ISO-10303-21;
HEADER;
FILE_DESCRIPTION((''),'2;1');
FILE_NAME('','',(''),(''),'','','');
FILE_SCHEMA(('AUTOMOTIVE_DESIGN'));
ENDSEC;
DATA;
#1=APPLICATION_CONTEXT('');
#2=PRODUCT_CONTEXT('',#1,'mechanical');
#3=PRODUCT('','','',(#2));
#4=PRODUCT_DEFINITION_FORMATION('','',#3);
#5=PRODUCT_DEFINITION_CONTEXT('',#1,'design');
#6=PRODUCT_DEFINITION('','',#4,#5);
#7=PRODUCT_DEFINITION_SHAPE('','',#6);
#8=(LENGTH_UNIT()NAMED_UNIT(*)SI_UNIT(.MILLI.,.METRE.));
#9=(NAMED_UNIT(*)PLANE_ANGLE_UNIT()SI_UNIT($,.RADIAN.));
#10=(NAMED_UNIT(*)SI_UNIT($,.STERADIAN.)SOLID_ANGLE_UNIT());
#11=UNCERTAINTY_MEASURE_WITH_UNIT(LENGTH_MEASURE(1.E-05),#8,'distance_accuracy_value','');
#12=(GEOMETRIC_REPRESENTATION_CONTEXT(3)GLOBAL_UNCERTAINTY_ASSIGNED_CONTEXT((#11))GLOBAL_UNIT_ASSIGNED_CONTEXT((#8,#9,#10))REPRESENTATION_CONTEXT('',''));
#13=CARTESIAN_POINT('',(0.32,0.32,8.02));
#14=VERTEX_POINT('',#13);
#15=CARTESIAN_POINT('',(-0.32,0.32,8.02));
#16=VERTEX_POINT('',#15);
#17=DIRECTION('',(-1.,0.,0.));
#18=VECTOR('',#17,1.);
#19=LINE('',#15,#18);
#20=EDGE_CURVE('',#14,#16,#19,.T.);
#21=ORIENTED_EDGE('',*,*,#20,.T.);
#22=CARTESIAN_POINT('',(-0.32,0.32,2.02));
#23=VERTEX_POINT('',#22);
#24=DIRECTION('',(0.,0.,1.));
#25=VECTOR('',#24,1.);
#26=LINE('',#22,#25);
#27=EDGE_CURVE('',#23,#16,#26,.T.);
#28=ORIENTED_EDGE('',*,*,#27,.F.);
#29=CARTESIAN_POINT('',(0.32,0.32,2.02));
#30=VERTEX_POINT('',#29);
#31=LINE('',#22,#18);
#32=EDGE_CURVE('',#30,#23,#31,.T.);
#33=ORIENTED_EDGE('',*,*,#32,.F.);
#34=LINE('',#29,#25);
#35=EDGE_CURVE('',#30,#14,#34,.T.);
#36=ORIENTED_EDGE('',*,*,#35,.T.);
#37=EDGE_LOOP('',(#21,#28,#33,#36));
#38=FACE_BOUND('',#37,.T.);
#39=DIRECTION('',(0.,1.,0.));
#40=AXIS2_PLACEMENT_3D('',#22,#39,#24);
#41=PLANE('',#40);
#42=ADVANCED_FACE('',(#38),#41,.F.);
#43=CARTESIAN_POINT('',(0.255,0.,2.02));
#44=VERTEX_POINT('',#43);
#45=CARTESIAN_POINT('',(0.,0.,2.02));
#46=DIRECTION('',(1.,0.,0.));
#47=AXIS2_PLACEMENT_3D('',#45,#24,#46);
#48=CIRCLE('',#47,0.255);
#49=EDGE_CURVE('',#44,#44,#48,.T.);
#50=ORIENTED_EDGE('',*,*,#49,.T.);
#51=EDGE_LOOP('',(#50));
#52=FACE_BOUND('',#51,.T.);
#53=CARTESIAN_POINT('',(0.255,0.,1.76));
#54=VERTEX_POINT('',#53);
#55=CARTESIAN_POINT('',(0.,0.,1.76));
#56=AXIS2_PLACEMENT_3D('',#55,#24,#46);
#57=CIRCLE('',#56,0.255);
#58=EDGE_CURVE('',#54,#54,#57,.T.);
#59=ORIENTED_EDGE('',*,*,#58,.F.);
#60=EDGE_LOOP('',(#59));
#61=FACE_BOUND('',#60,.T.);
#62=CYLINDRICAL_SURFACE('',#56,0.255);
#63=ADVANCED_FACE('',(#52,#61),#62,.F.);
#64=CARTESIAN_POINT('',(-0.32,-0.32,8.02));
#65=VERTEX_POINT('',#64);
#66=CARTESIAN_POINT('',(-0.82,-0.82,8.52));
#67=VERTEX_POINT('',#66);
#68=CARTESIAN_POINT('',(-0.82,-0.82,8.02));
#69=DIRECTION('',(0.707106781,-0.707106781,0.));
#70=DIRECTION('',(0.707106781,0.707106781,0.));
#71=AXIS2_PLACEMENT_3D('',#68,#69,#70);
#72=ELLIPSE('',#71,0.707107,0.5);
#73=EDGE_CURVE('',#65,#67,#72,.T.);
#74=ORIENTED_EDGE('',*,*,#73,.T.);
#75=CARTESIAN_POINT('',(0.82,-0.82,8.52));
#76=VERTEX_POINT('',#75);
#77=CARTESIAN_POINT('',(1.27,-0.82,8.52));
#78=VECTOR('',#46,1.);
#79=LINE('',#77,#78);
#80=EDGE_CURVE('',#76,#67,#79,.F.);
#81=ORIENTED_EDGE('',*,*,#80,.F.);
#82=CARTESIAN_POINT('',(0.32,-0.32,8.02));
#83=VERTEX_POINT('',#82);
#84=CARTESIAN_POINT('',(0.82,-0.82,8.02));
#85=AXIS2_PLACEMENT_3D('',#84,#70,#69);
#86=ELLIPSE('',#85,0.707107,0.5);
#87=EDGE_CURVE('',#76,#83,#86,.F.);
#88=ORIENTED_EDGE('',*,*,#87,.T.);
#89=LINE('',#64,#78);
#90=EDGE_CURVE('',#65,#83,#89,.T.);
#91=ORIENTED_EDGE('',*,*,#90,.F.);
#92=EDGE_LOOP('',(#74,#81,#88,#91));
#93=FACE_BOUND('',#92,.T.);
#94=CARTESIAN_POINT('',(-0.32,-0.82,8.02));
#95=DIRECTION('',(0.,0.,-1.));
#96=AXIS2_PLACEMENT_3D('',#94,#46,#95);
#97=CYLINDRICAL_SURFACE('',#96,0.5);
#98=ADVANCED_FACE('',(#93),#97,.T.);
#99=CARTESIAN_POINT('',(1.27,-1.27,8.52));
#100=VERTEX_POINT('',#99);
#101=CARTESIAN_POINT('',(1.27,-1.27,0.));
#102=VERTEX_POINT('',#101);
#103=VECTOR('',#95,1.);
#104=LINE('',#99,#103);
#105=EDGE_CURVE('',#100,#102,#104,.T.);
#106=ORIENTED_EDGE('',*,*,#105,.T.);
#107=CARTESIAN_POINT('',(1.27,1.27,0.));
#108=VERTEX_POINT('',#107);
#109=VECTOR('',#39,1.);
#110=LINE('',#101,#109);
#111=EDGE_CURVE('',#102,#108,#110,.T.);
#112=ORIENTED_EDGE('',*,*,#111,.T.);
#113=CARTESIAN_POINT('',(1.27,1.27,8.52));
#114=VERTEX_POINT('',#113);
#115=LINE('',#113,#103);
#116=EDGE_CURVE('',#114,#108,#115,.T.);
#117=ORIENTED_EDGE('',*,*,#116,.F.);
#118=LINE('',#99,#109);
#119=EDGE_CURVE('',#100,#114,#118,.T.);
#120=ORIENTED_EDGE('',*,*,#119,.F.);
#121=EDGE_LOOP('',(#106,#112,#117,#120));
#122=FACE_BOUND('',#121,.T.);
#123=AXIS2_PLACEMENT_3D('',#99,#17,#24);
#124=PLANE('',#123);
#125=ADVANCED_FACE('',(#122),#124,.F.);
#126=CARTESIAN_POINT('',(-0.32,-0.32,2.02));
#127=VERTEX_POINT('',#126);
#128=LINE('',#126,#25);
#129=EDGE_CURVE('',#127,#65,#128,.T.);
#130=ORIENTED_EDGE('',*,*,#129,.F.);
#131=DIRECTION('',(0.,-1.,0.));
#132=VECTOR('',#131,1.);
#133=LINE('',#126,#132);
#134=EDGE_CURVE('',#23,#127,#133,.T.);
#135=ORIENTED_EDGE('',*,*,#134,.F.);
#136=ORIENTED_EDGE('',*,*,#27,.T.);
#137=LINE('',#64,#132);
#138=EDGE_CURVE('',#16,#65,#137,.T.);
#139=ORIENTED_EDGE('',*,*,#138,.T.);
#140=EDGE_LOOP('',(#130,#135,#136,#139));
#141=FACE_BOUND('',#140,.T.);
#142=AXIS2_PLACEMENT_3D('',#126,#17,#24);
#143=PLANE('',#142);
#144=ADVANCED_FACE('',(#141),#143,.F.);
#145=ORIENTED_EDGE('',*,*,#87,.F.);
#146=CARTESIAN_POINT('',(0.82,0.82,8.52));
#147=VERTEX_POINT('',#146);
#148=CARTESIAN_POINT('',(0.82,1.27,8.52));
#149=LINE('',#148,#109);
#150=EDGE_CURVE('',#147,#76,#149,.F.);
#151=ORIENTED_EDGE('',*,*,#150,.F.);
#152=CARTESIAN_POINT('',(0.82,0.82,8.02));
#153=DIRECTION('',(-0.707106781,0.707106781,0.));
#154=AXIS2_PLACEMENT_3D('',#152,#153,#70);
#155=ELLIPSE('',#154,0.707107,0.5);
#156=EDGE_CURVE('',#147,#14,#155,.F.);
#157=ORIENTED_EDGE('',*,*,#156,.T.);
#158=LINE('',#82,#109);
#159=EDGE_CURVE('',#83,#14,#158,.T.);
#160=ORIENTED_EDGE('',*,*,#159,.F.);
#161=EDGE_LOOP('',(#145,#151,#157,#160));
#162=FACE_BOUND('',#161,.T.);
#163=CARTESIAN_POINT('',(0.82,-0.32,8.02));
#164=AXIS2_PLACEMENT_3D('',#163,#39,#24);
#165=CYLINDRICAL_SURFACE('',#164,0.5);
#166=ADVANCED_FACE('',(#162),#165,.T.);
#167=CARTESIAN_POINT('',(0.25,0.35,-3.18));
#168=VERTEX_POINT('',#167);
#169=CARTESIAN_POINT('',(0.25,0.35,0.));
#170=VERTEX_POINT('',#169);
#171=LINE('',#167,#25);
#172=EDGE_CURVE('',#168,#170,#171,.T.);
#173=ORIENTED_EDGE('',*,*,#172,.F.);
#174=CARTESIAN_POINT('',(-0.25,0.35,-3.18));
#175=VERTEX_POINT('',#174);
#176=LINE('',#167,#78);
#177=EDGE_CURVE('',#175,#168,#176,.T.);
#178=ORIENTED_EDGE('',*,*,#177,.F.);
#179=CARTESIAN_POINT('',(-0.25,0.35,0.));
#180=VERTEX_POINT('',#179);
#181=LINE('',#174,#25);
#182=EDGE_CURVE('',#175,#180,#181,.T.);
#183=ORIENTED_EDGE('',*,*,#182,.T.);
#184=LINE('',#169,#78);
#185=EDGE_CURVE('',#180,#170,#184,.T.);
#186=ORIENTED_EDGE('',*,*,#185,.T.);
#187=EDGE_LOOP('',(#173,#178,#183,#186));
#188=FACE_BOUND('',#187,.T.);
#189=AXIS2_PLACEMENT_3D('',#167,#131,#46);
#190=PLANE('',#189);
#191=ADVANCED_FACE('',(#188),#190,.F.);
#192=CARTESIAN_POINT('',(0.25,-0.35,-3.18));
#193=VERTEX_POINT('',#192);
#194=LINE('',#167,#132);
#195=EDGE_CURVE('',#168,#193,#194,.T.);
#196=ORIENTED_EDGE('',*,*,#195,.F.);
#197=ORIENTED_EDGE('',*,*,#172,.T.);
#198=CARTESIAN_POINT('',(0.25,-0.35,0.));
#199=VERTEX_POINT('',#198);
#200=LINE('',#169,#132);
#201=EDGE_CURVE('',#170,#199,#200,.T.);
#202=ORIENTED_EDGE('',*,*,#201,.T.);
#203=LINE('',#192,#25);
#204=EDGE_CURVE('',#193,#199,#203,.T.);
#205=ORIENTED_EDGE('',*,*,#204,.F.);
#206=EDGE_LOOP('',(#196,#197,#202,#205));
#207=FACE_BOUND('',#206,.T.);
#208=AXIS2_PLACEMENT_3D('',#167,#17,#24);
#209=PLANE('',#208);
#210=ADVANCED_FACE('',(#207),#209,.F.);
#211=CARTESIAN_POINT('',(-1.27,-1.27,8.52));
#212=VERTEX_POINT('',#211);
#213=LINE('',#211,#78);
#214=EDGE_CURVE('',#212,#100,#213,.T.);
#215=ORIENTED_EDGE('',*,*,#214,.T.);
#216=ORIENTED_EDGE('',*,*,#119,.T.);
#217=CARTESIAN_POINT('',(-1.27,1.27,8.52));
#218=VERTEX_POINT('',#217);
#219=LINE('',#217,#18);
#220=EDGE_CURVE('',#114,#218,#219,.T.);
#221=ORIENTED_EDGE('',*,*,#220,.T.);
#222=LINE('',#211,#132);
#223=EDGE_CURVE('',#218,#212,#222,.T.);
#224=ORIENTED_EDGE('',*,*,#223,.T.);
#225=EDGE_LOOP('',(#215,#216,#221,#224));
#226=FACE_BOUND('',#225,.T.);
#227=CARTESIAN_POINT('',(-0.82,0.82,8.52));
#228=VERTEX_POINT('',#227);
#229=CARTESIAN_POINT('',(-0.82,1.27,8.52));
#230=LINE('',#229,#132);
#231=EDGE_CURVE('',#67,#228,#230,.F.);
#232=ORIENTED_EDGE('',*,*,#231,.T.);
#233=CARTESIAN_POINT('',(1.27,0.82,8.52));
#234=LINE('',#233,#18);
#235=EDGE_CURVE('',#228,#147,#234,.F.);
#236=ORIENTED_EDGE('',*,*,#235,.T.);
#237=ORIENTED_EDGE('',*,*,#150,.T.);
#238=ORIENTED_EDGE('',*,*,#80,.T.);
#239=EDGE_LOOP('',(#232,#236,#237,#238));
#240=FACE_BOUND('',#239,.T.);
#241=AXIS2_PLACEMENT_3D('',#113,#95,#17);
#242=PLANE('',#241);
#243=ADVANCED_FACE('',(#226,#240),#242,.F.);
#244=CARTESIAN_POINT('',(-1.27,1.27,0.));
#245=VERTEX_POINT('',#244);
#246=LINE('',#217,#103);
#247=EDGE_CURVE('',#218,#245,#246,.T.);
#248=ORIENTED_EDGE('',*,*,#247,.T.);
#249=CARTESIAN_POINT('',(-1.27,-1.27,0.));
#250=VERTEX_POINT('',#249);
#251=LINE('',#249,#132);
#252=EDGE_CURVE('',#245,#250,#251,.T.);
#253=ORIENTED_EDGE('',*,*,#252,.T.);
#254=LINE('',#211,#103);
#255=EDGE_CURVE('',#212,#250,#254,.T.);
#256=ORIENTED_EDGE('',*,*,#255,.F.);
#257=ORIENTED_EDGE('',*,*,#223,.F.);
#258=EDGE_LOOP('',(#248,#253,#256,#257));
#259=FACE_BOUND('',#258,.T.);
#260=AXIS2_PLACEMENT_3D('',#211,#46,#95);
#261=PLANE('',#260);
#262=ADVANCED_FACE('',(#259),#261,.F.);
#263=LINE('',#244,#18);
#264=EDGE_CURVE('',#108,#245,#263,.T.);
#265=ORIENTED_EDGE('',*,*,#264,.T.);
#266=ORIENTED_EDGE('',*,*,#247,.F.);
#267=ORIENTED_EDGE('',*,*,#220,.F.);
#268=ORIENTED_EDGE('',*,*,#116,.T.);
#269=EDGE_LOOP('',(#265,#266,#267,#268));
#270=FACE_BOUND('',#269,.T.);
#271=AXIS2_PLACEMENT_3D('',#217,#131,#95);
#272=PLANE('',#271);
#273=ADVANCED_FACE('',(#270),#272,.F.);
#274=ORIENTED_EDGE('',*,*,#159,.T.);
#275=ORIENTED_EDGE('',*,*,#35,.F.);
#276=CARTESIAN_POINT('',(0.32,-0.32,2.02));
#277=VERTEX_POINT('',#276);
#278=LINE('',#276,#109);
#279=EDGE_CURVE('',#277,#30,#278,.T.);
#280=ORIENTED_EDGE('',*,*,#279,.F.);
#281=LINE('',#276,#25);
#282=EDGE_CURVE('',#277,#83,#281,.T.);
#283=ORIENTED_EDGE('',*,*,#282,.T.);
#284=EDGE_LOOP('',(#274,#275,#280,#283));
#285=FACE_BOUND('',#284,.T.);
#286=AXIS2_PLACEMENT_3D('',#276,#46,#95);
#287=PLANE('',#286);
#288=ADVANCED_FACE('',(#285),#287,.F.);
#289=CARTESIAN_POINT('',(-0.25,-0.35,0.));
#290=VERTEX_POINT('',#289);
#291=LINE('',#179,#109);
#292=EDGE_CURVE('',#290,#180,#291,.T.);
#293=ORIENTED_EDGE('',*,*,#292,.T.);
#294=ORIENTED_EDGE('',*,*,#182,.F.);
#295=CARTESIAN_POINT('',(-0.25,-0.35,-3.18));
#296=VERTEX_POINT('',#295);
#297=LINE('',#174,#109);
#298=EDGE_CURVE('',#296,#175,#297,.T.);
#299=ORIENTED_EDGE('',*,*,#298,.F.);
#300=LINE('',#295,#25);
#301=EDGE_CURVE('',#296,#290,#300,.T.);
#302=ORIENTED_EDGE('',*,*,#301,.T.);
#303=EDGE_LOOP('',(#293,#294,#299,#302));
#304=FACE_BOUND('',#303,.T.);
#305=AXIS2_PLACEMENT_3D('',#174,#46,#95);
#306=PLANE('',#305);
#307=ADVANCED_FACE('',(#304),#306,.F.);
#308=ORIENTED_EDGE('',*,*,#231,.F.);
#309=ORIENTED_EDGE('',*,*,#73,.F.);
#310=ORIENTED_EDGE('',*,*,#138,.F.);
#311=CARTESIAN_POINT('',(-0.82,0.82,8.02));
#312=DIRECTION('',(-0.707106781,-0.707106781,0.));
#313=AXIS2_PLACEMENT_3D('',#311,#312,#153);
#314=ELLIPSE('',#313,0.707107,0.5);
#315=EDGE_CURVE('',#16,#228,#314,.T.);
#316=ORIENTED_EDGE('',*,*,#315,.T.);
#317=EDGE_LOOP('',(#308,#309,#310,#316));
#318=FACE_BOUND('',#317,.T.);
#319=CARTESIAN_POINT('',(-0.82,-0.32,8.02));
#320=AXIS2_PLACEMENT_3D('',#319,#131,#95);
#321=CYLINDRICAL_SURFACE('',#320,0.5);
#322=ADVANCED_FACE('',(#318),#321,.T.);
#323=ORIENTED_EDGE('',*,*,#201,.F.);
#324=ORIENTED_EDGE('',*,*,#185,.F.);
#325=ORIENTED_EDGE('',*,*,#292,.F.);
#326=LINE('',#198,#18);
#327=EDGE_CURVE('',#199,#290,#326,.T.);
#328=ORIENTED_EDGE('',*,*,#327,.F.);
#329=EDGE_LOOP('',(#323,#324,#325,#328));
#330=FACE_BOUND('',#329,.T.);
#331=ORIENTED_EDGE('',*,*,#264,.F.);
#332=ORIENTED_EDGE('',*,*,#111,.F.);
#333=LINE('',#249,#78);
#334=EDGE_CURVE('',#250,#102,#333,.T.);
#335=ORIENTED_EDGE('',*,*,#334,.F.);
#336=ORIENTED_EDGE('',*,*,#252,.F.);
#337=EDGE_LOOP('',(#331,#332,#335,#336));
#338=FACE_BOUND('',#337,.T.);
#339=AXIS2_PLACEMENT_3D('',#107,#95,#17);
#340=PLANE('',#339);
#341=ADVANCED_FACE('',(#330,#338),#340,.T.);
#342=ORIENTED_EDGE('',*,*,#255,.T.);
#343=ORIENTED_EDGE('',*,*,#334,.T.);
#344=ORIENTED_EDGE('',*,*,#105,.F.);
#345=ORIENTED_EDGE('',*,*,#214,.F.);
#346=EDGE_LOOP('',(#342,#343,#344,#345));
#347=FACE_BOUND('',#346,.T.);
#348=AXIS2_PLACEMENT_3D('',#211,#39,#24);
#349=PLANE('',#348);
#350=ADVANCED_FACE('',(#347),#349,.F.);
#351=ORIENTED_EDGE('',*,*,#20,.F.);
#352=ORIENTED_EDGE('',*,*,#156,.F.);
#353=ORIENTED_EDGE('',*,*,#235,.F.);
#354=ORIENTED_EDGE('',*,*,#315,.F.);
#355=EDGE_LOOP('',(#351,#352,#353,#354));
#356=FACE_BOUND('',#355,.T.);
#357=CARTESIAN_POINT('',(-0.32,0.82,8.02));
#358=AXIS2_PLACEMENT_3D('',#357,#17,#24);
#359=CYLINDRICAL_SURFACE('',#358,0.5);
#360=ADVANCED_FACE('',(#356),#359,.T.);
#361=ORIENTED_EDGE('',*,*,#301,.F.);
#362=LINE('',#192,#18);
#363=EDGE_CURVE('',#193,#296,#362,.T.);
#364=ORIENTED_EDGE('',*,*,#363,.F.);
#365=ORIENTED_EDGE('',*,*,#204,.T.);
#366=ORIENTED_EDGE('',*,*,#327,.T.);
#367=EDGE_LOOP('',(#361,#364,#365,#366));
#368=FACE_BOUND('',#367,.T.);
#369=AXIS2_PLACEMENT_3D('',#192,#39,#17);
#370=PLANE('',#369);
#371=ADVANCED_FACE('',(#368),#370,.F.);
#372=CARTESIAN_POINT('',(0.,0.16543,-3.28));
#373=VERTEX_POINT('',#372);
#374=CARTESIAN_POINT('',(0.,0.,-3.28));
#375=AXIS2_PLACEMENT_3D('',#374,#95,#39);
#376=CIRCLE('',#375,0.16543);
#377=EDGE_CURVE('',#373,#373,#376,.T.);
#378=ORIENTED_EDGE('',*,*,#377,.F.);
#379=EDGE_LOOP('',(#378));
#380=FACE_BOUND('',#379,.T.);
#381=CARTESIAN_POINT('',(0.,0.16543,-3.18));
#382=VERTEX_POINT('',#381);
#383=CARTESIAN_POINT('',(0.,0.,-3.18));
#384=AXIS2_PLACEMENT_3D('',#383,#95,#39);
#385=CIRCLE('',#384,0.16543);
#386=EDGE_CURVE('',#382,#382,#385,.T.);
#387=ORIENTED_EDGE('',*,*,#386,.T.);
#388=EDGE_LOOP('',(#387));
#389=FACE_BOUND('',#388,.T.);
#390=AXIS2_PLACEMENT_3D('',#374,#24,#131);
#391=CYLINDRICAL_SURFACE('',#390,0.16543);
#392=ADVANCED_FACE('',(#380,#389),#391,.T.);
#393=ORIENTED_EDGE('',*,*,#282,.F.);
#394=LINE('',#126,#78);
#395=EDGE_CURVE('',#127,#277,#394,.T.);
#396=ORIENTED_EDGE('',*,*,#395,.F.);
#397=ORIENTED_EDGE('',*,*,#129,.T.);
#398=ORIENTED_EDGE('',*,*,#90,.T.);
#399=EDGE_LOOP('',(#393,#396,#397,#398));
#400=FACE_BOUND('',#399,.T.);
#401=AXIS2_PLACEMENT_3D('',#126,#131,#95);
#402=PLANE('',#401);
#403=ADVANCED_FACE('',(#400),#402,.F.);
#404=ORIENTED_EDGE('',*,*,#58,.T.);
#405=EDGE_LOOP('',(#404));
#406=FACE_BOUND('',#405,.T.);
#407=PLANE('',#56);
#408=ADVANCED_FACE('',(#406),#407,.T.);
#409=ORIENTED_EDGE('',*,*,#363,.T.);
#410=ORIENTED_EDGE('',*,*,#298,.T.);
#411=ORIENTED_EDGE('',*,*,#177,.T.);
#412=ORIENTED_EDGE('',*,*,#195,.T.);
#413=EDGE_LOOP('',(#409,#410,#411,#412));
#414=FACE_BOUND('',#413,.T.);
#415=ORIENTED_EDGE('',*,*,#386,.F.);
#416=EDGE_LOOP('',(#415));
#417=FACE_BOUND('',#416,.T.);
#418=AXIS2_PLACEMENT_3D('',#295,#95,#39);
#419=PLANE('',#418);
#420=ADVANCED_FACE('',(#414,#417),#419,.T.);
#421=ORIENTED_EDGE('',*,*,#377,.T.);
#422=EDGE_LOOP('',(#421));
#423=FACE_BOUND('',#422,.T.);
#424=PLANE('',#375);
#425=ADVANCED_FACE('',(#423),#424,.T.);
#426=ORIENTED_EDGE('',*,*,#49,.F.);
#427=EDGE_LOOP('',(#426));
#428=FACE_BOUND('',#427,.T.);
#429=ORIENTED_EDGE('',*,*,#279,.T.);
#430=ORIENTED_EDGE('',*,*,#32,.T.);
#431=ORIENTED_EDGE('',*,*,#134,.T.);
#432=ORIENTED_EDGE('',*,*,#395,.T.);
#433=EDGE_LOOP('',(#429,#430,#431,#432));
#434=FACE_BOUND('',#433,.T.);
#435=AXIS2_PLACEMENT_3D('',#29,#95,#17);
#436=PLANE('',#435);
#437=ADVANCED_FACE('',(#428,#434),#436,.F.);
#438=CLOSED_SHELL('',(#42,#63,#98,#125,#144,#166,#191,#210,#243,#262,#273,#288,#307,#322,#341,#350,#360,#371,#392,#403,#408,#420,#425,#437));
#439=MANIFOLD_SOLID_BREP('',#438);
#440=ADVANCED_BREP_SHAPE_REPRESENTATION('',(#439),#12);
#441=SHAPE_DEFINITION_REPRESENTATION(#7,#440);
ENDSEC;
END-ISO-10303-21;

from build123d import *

# Parameters (mm, degrees)
SKETCH1_W           = 2.54
SKETCH1_H           = 2.54
BOSS_EXTRUDE1_DEPTH = 8.52
SKETCH2_W           = 0.64
SKETCH2_H           = 0.64
CUT_EXTRUDE1_DEPTH  = 6.5
FILLET1_R           = 0.5
SKETCH4_W           = 0.5
SKETCH4_H           = 0.7
BOSS_EXTRUDE2_DEPTH = 3.18
SKETCH5_R           = 0.255
CUT_EXTRUDE4_DEPTH  = 0.26
SKETCH6_R           = 0.165430126
BOSS_EXTRUDE3_DEPTH = 0.1


with BuildPart() as part:
    # Sketch1 → Boss-Extrude1 (new body)
    with BuildSketch(Plane.XY):
        Rectangle(SKETCH1_W, SKETCH1_H)
    extrude(amount=BOSS_EXTRUDE1_DEPTH)

    # Sketch2 → Cut-Extrude1 (cut)
    with BuildSketch(Plane.XY.offset(8.52)):
        Rectangle(SKETCH2_W, SKETCH2_H)
    extrude(amount=-CUT_EXTRUDE1_DEPTH, mode=Mode.SUBTRACT)

    # Fillet1
    fillet1_edges = [part.edges().sort_by_distance(p)[0] for p in [
        (0.32, 0, 8.52),
        (0, 0.32, 8.52),
        (-0.32, 0, 8.52),
        (0, -0.32, 8.52),
    ]]
    fillet(fillet1_edges, radius=FILLET1_R)

    # Sketch4 → Boss-Extrude2 (add)
    with BuildSketch(Plane(origin=(0, 0, 0), x_dir=(1, 0, 0), z_dir=(0, 0, -1))):
        Rectangle(SKETCH4_W, SKETCH4_H)
    extrude(amount=BOSS_EXTRUDE2_DEPTH)

    # Sketch5 → Cut-Extrude4 (cut)
    with BuildSketch(Plane.XY.offset(2.02)):
        Circle(SKETCH5_R)
    extrude(amount=-CUT_EXTRUDE4_DEPTH, mode=Mode.SUBTRACT)

    # Sketch6 → Boss-Extrude3 (add)
    with BuildSketch(Plane(origin=(0, 0, -3.18), x_dir=(-1, 0, 0), z_dir=(0, 0, -1))):
        Circle(SKETCH6_R)
    extrude(amount=BOSS_EXTRUDE3_DEPTH)


solid = part.part
